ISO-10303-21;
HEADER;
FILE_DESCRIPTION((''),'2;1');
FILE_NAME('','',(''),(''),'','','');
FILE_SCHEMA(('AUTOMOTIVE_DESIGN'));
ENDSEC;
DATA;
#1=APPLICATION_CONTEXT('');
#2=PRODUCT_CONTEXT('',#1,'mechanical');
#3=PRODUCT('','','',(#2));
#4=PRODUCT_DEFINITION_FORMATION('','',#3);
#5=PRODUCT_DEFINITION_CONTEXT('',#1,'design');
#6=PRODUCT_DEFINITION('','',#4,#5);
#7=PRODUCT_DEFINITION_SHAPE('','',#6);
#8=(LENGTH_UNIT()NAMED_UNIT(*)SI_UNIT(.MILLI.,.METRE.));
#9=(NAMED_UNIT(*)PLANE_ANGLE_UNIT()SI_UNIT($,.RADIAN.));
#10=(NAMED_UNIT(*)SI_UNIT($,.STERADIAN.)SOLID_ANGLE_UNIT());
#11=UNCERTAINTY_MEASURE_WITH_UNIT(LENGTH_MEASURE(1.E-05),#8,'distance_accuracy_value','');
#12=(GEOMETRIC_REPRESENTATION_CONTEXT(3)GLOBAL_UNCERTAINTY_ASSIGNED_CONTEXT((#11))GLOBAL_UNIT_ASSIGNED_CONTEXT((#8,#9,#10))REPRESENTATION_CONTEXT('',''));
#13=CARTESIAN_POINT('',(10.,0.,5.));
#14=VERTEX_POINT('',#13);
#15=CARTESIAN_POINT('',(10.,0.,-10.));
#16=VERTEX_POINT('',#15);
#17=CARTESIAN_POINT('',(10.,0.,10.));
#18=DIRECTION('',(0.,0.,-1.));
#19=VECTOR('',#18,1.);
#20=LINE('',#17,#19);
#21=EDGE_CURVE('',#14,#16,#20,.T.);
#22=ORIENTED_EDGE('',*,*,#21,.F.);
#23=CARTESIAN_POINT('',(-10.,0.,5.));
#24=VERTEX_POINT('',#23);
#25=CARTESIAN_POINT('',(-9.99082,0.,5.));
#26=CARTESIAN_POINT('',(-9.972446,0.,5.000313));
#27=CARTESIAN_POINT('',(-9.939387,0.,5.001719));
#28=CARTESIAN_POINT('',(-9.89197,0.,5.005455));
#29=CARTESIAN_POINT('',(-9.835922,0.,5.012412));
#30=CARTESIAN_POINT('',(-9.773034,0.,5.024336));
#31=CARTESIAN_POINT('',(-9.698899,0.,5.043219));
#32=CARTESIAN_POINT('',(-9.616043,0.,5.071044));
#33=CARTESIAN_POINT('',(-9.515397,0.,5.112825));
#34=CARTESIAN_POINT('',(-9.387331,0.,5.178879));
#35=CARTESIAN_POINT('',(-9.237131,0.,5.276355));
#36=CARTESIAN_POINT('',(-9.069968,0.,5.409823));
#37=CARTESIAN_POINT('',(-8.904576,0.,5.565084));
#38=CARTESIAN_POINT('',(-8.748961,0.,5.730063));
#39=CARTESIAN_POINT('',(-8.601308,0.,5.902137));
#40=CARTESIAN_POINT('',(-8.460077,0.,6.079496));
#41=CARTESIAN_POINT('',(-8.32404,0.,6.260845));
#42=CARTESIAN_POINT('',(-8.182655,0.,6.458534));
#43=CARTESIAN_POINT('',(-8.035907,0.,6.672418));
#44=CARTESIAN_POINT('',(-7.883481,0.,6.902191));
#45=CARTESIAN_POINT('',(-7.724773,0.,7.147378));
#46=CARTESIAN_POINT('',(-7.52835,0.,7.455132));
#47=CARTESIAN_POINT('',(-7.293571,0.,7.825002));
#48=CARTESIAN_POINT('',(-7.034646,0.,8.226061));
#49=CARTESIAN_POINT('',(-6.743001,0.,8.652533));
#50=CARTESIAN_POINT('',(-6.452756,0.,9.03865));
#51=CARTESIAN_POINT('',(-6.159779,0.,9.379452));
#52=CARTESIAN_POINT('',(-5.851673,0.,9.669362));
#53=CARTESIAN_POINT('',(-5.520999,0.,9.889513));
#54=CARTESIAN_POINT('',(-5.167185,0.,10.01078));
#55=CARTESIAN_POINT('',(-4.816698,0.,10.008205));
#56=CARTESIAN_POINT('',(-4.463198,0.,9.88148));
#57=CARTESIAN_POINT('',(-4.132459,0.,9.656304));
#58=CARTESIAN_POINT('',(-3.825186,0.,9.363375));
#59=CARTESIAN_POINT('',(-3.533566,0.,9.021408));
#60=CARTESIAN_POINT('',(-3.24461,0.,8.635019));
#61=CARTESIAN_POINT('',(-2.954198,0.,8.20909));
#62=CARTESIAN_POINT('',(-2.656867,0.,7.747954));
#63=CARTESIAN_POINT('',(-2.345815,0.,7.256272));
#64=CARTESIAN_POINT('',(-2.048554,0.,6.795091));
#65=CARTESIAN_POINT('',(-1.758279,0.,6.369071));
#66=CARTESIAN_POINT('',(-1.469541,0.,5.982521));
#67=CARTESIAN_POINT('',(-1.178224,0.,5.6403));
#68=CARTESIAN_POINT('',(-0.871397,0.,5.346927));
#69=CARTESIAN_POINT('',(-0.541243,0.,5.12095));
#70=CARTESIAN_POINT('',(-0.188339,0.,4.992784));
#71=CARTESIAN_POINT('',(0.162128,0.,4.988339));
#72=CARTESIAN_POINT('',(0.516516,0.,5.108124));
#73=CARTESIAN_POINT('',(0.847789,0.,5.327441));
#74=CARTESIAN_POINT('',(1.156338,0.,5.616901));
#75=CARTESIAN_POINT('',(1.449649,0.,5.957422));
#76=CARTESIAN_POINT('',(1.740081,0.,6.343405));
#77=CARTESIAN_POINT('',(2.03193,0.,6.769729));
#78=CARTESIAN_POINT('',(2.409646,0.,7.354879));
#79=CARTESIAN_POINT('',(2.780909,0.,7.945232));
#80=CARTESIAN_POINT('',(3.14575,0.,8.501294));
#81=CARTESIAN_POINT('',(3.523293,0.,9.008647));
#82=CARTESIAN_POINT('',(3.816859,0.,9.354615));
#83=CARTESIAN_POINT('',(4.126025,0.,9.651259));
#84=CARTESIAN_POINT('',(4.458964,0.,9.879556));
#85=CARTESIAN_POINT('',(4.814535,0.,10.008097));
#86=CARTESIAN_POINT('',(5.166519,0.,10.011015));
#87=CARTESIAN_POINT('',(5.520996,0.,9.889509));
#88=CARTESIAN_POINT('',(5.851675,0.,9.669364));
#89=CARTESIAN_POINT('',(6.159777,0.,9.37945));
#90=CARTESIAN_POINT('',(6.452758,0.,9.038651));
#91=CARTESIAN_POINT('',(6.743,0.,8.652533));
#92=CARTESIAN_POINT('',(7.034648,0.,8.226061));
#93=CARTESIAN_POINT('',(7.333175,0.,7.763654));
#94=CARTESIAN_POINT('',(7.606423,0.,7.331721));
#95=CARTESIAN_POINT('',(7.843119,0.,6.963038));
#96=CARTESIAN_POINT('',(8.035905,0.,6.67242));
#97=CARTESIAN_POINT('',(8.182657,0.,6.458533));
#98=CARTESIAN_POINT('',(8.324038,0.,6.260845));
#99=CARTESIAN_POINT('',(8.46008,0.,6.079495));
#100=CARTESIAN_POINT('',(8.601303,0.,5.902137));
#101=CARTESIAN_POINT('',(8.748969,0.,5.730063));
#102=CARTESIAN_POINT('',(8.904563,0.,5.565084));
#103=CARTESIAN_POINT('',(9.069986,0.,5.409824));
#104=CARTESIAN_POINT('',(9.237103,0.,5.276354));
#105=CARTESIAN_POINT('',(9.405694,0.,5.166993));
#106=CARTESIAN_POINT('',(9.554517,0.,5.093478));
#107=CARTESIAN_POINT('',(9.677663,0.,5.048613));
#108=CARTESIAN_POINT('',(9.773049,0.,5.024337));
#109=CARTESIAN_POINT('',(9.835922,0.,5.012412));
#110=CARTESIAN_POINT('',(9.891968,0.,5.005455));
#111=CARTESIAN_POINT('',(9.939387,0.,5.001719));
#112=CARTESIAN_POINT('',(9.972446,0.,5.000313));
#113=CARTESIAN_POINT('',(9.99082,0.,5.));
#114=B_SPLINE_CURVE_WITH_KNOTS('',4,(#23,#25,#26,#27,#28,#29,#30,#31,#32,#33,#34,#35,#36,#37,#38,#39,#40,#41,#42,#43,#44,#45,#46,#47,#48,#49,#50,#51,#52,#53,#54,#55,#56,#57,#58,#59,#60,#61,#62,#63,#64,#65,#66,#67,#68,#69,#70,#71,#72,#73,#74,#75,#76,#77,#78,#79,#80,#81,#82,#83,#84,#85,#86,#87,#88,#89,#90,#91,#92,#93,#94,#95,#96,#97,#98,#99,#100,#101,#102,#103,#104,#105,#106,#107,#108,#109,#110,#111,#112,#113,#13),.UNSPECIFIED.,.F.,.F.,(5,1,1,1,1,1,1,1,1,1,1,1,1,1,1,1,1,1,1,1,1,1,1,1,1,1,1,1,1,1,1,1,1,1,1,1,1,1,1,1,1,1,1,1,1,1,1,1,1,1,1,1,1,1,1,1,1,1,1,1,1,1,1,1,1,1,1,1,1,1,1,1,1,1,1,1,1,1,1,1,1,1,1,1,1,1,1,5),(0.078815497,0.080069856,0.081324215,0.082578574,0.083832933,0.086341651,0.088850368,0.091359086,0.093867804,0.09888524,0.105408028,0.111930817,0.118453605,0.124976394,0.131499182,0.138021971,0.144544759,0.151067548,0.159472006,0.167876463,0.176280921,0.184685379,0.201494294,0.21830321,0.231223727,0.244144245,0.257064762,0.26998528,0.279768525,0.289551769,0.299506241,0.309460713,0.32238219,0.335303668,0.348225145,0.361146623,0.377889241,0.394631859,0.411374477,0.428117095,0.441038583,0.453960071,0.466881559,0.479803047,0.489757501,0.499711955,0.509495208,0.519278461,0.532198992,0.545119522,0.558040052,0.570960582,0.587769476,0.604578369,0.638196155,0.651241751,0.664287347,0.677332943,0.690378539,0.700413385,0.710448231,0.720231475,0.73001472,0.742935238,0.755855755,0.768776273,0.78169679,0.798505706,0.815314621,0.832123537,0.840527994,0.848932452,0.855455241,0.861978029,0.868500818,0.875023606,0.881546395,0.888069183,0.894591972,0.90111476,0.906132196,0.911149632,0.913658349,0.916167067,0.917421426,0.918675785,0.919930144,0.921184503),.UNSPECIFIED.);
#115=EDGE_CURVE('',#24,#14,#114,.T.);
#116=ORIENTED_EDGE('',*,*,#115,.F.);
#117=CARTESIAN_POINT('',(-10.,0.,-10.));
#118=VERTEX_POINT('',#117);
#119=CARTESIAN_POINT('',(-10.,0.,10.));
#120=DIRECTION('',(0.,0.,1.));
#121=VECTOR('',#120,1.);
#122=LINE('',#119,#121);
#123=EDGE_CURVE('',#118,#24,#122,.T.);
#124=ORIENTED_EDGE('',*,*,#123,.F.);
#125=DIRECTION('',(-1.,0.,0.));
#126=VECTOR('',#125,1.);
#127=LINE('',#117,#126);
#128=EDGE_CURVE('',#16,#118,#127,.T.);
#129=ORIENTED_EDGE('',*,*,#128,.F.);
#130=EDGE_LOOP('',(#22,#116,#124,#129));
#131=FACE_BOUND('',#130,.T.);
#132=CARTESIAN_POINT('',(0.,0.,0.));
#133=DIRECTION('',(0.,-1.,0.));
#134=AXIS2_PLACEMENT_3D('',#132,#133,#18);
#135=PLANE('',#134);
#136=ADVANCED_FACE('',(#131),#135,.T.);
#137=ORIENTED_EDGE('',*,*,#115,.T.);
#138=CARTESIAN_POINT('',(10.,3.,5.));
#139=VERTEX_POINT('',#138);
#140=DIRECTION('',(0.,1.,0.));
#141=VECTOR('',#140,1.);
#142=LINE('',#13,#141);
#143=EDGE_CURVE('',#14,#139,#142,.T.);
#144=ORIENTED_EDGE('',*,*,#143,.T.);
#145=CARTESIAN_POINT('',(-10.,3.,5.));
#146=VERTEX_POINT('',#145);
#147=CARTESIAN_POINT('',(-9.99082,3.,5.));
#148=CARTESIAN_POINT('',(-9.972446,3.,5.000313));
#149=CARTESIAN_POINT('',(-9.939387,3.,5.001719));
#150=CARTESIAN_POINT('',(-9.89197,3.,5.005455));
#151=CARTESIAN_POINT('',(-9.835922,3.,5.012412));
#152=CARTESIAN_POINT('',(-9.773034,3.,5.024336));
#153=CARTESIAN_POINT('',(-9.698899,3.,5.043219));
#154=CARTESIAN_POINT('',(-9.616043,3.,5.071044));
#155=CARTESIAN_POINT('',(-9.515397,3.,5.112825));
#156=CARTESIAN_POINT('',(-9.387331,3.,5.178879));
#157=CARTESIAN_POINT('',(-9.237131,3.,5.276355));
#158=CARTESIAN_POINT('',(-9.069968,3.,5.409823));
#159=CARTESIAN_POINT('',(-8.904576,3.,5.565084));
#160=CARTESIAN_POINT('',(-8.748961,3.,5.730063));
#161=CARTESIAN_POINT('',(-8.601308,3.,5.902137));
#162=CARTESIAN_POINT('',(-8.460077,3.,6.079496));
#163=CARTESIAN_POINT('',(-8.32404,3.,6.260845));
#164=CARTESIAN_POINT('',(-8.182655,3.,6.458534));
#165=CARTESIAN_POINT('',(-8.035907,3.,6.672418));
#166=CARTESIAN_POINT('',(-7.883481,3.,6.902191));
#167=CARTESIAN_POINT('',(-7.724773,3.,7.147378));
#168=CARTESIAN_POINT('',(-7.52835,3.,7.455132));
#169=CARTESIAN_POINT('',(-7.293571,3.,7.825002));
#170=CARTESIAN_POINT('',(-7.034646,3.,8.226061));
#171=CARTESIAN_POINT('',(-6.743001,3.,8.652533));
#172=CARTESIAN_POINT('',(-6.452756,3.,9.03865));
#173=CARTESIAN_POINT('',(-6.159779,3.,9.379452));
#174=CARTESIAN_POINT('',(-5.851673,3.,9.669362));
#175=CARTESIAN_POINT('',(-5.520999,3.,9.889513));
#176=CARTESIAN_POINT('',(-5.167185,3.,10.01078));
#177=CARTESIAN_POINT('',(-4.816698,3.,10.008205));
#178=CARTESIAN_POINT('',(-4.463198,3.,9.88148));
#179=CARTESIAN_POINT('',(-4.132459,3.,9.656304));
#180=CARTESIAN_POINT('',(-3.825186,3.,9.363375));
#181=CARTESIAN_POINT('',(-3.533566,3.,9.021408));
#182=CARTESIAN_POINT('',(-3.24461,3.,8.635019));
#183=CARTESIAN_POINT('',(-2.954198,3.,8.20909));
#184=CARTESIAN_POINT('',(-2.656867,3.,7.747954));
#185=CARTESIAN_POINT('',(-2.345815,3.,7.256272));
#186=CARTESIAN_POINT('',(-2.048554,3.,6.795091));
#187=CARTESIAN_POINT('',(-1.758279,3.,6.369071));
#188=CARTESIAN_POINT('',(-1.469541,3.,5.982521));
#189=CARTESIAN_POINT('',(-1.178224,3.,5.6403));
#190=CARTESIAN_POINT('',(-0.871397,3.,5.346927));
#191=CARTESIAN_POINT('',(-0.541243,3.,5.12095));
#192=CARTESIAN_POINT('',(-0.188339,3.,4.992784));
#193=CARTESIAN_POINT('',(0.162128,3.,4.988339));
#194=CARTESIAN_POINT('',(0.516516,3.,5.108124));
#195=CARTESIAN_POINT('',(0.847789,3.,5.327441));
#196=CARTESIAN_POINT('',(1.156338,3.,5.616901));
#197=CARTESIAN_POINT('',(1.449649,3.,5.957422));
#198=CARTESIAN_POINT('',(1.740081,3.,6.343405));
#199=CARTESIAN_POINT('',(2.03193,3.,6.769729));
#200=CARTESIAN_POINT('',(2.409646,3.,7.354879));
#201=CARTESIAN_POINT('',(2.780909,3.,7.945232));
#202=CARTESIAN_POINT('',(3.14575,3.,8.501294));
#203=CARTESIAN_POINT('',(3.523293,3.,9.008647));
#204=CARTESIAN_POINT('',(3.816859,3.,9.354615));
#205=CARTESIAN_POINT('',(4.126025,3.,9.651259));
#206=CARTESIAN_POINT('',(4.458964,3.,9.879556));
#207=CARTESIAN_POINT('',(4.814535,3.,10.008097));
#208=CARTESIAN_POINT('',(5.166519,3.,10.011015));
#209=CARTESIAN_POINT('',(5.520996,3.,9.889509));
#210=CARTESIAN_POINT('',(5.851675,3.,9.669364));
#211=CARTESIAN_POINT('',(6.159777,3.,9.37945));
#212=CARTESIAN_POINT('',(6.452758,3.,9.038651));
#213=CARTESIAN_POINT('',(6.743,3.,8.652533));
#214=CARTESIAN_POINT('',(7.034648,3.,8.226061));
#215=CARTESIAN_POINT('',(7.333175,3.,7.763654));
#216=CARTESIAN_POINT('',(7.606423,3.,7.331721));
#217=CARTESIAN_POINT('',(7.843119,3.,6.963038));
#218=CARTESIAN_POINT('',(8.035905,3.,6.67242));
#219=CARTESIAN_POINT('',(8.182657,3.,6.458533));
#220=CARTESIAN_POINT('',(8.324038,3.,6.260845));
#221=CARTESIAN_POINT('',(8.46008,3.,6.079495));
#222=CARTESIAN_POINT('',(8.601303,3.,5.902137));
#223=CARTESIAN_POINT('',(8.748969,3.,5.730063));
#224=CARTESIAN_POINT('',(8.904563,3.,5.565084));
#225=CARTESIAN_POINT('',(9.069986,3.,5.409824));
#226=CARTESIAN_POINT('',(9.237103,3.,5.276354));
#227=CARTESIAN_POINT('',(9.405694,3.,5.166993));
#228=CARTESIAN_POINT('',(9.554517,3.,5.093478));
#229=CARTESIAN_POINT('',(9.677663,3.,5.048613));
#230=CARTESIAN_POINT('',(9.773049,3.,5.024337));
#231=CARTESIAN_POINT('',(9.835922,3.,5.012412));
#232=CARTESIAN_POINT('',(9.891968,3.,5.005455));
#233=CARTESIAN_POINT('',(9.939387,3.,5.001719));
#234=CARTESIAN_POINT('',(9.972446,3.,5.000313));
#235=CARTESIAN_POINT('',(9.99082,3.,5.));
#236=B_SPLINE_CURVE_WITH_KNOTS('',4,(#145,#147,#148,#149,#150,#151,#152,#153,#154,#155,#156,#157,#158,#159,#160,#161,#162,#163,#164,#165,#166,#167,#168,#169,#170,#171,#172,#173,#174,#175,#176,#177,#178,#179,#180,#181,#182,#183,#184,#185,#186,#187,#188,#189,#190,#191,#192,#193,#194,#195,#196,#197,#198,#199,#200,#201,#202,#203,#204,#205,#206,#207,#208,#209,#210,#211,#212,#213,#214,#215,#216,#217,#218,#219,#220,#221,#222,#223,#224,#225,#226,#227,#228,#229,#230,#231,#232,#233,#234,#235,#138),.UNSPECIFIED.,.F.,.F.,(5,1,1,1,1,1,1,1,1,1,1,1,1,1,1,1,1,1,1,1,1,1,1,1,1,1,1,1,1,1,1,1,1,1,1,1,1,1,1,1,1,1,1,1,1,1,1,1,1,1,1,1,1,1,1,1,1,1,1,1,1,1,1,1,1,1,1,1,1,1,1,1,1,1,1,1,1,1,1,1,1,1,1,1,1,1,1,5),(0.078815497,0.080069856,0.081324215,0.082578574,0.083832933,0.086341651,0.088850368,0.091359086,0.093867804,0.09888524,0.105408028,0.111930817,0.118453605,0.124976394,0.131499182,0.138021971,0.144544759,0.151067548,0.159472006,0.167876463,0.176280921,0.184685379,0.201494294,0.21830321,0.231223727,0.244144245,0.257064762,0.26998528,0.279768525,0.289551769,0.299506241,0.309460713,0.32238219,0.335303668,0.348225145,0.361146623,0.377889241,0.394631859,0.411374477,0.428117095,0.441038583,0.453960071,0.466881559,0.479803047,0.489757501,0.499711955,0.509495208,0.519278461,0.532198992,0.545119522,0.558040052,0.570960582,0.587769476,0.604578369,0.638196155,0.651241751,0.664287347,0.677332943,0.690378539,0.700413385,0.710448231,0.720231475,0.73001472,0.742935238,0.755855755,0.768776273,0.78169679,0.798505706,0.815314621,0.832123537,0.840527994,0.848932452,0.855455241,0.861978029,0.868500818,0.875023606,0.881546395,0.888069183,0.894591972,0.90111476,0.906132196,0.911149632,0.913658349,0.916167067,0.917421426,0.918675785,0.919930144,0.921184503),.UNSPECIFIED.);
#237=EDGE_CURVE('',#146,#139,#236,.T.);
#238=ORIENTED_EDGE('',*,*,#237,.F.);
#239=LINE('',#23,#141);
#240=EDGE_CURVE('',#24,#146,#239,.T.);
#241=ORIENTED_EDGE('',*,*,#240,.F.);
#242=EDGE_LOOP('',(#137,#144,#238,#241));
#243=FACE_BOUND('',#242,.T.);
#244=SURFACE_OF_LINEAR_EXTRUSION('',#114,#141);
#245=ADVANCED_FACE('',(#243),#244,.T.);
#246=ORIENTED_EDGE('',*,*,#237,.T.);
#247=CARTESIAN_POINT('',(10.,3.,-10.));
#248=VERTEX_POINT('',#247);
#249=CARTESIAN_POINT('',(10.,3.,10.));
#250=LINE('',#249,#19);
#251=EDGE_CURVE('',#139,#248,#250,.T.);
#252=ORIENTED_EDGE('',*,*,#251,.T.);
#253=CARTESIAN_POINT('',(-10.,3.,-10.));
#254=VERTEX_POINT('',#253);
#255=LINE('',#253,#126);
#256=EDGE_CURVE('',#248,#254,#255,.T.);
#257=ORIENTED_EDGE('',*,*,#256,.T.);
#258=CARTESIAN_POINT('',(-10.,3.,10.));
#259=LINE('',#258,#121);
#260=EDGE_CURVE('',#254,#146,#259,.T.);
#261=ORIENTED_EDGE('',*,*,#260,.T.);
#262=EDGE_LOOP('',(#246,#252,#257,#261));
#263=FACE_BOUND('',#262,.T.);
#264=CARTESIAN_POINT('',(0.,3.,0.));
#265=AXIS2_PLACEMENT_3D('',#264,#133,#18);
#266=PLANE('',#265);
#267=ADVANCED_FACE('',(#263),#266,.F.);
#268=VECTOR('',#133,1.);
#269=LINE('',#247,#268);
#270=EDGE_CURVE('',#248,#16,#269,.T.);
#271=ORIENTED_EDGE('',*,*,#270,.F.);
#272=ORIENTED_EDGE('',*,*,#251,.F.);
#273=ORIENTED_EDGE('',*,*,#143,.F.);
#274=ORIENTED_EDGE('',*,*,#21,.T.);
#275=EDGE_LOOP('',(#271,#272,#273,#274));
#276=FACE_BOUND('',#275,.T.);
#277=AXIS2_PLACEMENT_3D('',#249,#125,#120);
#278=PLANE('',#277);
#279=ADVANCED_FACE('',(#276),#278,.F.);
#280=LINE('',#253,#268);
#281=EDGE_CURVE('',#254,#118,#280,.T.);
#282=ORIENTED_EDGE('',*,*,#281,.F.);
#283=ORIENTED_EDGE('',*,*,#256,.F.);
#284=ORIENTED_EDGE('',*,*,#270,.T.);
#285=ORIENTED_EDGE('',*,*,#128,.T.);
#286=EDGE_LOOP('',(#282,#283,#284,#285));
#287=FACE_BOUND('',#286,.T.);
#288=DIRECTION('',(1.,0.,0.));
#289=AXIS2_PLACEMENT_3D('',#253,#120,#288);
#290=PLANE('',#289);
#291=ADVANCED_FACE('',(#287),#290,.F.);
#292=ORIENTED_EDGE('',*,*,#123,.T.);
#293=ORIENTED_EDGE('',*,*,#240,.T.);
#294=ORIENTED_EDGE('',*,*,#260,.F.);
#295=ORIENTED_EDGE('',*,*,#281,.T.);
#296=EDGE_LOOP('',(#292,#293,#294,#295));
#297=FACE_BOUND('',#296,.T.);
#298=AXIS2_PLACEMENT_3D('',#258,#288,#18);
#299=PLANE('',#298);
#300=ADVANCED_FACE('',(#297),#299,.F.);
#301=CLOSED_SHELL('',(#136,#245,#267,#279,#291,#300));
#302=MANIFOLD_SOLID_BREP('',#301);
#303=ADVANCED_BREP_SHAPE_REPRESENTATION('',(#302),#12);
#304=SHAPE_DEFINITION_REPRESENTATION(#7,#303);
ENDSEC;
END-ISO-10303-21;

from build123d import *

# Parameters (mm, degrees)
SKETCH1_W               = 20
SKETCH1_H               = 20
BOSS_EXTRUDE1_DEPTH     = 3
CUT_EXTRUDE1_DEPTH      = 1
CUT_EXTRUDE1_DEPTH_BACK = 4


with BuildPart() as part:
    # Sketch1 → Boss-Extrude1 (new body)
    with BuildSketch(Plane(origin=(0, 0, 0), x_dir=(1, 0, 0), z_dir=(0, 1, 0))):
        Rectangle(SKETCH1_W, SKETCH1_H)
    extrude(amount=BOSS_EXTRUDE1_DEPTH)

    # Sketch2 → Cut-Extrude1 (cut, two sides)
    with BuildSketch(Plane(origin=(0, 3, 0), x_dir=(1, 0, 0), z_dir=(0, 1, 0))) as cut_extrude1_sk:
        with BuildLine():
            Line((10, -5), (10, -10))
            Line((10, -10), (-10, -10))
            Line((-10, -10), (-10, -5))
            add(Edge.make_bspline(
                [(-10, -5), (-9.990820014, -5), (-9.972446358, -5.000312583), (-9.939387471, -5.001719207), (-9.891969519, -5.005454846), (-9.835922238, -5.012412312), (-9.773033767, -5.024336094), (-9.698898541, -5.043219482), (-9.616042774, -5.071043877), (-9.515396925, -5.112824909), (-9.387330606, -5.178878831), (-9.23713056, -5.27635471), (-9.069968341, -5.409823327), (-8.904575648, -5.56508434), (-8.748961229, -5.730063259), (-8.601307785, -5.902136841), (-8.460077009, -6.079495517), (-8.324040002, -6.260844972), (-8.182655276, -6.458534299), (-8.035907031, -6.672418147), (-7.883481419, -6.902191288), (-7.724773455, -7.147377745), (-7.528350495, -7.455132252), (-7.293570647, -7.825001596), (-7.034646201, -8.226061179), (-6.743001489, -8.652533353), (-6.452756272, -9.038649676), (-6.159779288, -9.379451937), (-5.85167298, -9.669361598), (-5.520999117, -9.889512746), (-5.1671847, -10.010779605), (-4.816698271, -10.008204715), (-4.463198002, -9.88148029), (-4.132459412, -9.656303518), (-3.825186178, -9.363374601), (-3.53356605, -9.021407523), (-3.244609582, -8.635018563), (-2.954198132, -8.209090349), (-2.656866985, -7.747954266), (-2.345814717, -7.256271996), (-2.048553648, -6.795091334), (-1.758278976, -6.369070745), (-1.469541055, -5.982521438), (-1.178223955, -5.64030017), (-0.871397136, -5.346926797), (-0.541242947, -5.120949541), (-0.188339321, -4.992783545), (0.16212755, -4.988339301), (0.516516059, -5.108123798), (0.8477895, -5.327441362), (1.156337611, -5.616901018), (1.449649401, -5.957422311), (1.74008086, -6.343405241), (2.031929598, -6.769728753), (2.409645941, -7.354878505), (2.78090923, -7.94523233), (3.145749907, -8.501293993), (3.523293189, -9.008647271), (3.816859253, -9.354615385), (4.126025436, -9.651259116), (4.458963509, -9.879556068), (4.814535153, -10.008097061), (5.166519062, -10.011015315), (5.520996053, -9.889508756), (5.851675295, -9.66936442), (6.159777431, -9.379449939), (6.452757598, -9.03865066), (6.743000269, -8.652533063), (7.034647701, -8.226060806), (7.33317531, -7.763653858), (7.606423384, -7.331721448), (7.843119223, -6.963037632), (8.035904931, -6.672419587), (8.182657184, -6.458533403), (8.324037842, -6.260845485), (8.46008018, -6.079495251), (8.601302819, -5.902136908), (8.748969193, -5.730063373), (8.904563093, -5.565084029), (9.069986411, -5.409823833), (9.237102577, -5.276353888), (9.405693689, -5.166993054), (9.554516523, -5.093477505), (9.677662689, -5.048613087), (9.773048533, -5.024336542), (9.835921683, -5.012412295), (9.891968482, -5.005454815), (9.939387047, -5.001719194), (9.972446314, -5.000312581), (9.990820016, -5), (10, -5)],
                knots=[0.078815497, 0.078815497, 0.078815497, 0.078815497, 0.078815497, 0.080069856, 0.081324215, 0.082578574, 0.083832933, 0.086341651, 0.088850368, 0.091359086, 0.093867804, 0.09888524, 0.105408028, 0.111930817, 0.118453605, 0.124976394, 0.131499182, 0.138021971, 0.144544759, 0.151067548, 0.159472006, 0.167876463, 0.176280921, 0.184685379, 0.201494294, 0.21830321, 0.231223727, 0.244144245, 0.257064762, 0.26998528, 0.279768525, 0.289551769, 0.299506241, 0.309460713, 0.32238219, 0.335303668, 0.348225145, 0.361146623, 0.377889241, 0.394631859, 0.411374477, 0.428117095, 0.441038583, 0.453960071, 0.466881559, 0.479803047, 0.489757501, 0.499711955, 0.509495208, 0.519278461, 0.532198992, 0.545119522, 0.558040052, 0.570960582, 0.587769476, 0.604578369, 0.638196155, 0.651241751, 0.664287347, 0.677332943, 0.690378539, 0.700413385, 0.710448231, 0.720231475, 0.73001472, 0.742935238, 0.755855755, 0.768776273, 0.78169679, 0.798505706, 0.815314621, 0.832123537, 0.840527994, 0.848932452, 0.855455241, 0.861978029, 0.868500818, 0.875023606, 0.881546395, 0.888069183, 0.894591972, 0.90111476, 0.906132196, 0.911149632, 0.913658349, 0.916167067, 0.917421426, 0.918675785, 0.919930144, 0.921184503, 0.921184503, 0.921184503, 0.921184503, 0.921184503], degree=4))
        make_face()
    extrude(amount=CUT_EXTRUDE1_DEPTH, mode=Mode.SUBTRACT)
    extrude(cut_extrude1_sk.sketch, amount=-CUT_EXTRUDE1_DEPTH_BACK, mode=Mode.SUBTRACT)


solid = part.part
